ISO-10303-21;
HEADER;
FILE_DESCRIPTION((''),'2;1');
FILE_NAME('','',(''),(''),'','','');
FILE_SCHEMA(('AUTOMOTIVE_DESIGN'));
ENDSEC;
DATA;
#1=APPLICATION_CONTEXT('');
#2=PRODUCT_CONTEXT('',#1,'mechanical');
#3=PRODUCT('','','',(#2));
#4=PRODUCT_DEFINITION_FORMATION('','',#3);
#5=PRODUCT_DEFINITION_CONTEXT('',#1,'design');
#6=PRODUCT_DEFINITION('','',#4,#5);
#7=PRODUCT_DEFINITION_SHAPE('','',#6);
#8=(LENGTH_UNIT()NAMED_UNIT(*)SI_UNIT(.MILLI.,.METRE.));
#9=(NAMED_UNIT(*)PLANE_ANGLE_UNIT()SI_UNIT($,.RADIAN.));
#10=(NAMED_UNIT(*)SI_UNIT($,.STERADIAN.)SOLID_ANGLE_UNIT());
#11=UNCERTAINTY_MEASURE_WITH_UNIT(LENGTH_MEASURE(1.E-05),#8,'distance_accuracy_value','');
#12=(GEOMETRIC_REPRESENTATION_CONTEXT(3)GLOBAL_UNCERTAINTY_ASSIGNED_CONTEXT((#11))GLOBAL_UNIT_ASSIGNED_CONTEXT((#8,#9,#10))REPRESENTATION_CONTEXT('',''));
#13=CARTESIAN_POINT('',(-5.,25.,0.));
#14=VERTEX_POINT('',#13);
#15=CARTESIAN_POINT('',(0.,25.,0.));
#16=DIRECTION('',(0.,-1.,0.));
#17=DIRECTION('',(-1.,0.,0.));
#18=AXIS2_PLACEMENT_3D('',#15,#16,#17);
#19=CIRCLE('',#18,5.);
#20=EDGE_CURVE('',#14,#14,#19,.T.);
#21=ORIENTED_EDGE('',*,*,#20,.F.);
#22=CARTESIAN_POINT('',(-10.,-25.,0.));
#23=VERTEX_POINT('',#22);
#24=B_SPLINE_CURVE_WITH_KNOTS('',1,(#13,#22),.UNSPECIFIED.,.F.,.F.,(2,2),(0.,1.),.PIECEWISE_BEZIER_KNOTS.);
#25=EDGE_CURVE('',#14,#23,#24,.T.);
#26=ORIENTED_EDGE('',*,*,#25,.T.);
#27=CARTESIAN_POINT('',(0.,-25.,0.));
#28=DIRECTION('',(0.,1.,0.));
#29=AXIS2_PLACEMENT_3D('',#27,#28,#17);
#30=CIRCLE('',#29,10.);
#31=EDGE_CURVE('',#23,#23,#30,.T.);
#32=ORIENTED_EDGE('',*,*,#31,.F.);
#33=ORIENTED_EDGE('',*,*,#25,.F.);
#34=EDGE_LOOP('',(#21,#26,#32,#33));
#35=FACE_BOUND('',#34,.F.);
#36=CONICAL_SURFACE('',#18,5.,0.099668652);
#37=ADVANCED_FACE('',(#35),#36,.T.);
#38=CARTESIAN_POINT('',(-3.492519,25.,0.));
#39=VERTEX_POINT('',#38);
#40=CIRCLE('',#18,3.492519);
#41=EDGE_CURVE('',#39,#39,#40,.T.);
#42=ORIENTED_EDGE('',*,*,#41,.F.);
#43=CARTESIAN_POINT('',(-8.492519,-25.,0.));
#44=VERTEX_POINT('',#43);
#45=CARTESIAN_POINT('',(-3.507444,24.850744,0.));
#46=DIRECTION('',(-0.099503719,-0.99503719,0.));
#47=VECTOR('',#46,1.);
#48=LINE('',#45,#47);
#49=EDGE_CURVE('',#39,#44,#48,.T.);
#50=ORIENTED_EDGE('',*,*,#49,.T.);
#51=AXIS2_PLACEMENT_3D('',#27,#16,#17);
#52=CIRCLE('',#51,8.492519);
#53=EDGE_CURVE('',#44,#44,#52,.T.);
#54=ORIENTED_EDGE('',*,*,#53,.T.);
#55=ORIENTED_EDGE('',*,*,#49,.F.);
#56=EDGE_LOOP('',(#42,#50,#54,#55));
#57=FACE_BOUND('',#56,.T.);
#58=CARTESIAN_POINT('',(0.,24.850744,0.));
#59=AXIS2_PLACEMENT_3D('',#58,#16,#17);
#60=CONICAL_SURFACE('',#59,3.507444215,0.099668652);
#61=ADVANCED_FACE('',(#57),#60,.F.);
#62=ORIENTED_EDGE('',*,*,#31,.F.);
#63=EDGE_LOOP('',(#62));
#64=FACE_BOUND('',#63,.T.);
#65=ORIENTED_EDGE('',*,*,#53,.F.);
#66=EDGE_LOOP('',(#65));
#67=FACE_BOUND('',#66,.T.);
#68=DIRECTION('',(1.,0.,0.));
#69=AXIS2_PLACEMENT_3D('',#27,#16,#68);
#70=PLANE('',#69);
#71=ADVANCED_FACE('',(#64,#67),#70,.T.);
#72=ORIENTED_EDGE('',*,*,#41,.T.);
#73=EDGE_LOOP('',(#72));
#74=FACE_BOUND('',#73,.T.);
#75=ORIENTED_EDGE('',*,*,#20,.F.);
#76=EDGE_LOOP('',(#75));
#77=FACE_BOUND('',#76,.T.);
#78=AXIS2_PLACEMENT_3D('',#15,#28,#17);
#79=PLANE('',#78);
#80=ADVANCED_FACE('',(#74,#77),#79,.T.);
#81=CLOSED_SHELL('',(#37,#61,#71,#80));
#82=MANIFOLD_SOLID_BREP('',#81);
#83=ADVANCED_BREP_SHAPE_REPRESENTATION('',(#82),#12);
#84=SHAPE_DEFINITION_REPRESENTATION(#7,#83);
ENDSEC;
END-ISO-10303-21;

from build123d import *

# Parameters (mm, degrees)
F0_R       = 10
F1_DEPTH   = 25
F2_DEPTH   = 25
F3_R       = 5
F1_FACE1_R = 10
F5_T       = -1.5


with BuildPart() as f1:
    # F0 (on Front) → F1 (new body)
    with BuildSketch(Plane.XZ):
        Circle(F0_R)
    extrude(amount=F1_DEPTH)

    # F2 (add): a face of the model
    f2_faces = [f1.faces().sort_by_distance(p)[0] for p in [
        (0, 0, 0),
    ]]
    extrude(f2_faces, amount=F2_DEPTH)

    # F3 (on face) → F4 section 0
    with BuildSketch(Plane(origin=(0, 25, 0), x_dir=(-1, 0, 0), z_dir=(0, 1, 0))):
        Circle(F3_R)
    # F1_face1 (on face) → F4 section 1
    with BuildSketch(Plane.XZ.offset(25)):
        Circle(F1_FACE1_R)
    loft(mode=Mode.INTERSECT)

    # F5
    f5_openings = [f1.faces().sort_by_distance(p)[0] for p in [
        (0, -25, 0),
        (0, 25, 0),
    ]]
    offset(amount=F5_T, openings=f5_openings, kind=Kind.INTERSECTION)


solid = f1.part
